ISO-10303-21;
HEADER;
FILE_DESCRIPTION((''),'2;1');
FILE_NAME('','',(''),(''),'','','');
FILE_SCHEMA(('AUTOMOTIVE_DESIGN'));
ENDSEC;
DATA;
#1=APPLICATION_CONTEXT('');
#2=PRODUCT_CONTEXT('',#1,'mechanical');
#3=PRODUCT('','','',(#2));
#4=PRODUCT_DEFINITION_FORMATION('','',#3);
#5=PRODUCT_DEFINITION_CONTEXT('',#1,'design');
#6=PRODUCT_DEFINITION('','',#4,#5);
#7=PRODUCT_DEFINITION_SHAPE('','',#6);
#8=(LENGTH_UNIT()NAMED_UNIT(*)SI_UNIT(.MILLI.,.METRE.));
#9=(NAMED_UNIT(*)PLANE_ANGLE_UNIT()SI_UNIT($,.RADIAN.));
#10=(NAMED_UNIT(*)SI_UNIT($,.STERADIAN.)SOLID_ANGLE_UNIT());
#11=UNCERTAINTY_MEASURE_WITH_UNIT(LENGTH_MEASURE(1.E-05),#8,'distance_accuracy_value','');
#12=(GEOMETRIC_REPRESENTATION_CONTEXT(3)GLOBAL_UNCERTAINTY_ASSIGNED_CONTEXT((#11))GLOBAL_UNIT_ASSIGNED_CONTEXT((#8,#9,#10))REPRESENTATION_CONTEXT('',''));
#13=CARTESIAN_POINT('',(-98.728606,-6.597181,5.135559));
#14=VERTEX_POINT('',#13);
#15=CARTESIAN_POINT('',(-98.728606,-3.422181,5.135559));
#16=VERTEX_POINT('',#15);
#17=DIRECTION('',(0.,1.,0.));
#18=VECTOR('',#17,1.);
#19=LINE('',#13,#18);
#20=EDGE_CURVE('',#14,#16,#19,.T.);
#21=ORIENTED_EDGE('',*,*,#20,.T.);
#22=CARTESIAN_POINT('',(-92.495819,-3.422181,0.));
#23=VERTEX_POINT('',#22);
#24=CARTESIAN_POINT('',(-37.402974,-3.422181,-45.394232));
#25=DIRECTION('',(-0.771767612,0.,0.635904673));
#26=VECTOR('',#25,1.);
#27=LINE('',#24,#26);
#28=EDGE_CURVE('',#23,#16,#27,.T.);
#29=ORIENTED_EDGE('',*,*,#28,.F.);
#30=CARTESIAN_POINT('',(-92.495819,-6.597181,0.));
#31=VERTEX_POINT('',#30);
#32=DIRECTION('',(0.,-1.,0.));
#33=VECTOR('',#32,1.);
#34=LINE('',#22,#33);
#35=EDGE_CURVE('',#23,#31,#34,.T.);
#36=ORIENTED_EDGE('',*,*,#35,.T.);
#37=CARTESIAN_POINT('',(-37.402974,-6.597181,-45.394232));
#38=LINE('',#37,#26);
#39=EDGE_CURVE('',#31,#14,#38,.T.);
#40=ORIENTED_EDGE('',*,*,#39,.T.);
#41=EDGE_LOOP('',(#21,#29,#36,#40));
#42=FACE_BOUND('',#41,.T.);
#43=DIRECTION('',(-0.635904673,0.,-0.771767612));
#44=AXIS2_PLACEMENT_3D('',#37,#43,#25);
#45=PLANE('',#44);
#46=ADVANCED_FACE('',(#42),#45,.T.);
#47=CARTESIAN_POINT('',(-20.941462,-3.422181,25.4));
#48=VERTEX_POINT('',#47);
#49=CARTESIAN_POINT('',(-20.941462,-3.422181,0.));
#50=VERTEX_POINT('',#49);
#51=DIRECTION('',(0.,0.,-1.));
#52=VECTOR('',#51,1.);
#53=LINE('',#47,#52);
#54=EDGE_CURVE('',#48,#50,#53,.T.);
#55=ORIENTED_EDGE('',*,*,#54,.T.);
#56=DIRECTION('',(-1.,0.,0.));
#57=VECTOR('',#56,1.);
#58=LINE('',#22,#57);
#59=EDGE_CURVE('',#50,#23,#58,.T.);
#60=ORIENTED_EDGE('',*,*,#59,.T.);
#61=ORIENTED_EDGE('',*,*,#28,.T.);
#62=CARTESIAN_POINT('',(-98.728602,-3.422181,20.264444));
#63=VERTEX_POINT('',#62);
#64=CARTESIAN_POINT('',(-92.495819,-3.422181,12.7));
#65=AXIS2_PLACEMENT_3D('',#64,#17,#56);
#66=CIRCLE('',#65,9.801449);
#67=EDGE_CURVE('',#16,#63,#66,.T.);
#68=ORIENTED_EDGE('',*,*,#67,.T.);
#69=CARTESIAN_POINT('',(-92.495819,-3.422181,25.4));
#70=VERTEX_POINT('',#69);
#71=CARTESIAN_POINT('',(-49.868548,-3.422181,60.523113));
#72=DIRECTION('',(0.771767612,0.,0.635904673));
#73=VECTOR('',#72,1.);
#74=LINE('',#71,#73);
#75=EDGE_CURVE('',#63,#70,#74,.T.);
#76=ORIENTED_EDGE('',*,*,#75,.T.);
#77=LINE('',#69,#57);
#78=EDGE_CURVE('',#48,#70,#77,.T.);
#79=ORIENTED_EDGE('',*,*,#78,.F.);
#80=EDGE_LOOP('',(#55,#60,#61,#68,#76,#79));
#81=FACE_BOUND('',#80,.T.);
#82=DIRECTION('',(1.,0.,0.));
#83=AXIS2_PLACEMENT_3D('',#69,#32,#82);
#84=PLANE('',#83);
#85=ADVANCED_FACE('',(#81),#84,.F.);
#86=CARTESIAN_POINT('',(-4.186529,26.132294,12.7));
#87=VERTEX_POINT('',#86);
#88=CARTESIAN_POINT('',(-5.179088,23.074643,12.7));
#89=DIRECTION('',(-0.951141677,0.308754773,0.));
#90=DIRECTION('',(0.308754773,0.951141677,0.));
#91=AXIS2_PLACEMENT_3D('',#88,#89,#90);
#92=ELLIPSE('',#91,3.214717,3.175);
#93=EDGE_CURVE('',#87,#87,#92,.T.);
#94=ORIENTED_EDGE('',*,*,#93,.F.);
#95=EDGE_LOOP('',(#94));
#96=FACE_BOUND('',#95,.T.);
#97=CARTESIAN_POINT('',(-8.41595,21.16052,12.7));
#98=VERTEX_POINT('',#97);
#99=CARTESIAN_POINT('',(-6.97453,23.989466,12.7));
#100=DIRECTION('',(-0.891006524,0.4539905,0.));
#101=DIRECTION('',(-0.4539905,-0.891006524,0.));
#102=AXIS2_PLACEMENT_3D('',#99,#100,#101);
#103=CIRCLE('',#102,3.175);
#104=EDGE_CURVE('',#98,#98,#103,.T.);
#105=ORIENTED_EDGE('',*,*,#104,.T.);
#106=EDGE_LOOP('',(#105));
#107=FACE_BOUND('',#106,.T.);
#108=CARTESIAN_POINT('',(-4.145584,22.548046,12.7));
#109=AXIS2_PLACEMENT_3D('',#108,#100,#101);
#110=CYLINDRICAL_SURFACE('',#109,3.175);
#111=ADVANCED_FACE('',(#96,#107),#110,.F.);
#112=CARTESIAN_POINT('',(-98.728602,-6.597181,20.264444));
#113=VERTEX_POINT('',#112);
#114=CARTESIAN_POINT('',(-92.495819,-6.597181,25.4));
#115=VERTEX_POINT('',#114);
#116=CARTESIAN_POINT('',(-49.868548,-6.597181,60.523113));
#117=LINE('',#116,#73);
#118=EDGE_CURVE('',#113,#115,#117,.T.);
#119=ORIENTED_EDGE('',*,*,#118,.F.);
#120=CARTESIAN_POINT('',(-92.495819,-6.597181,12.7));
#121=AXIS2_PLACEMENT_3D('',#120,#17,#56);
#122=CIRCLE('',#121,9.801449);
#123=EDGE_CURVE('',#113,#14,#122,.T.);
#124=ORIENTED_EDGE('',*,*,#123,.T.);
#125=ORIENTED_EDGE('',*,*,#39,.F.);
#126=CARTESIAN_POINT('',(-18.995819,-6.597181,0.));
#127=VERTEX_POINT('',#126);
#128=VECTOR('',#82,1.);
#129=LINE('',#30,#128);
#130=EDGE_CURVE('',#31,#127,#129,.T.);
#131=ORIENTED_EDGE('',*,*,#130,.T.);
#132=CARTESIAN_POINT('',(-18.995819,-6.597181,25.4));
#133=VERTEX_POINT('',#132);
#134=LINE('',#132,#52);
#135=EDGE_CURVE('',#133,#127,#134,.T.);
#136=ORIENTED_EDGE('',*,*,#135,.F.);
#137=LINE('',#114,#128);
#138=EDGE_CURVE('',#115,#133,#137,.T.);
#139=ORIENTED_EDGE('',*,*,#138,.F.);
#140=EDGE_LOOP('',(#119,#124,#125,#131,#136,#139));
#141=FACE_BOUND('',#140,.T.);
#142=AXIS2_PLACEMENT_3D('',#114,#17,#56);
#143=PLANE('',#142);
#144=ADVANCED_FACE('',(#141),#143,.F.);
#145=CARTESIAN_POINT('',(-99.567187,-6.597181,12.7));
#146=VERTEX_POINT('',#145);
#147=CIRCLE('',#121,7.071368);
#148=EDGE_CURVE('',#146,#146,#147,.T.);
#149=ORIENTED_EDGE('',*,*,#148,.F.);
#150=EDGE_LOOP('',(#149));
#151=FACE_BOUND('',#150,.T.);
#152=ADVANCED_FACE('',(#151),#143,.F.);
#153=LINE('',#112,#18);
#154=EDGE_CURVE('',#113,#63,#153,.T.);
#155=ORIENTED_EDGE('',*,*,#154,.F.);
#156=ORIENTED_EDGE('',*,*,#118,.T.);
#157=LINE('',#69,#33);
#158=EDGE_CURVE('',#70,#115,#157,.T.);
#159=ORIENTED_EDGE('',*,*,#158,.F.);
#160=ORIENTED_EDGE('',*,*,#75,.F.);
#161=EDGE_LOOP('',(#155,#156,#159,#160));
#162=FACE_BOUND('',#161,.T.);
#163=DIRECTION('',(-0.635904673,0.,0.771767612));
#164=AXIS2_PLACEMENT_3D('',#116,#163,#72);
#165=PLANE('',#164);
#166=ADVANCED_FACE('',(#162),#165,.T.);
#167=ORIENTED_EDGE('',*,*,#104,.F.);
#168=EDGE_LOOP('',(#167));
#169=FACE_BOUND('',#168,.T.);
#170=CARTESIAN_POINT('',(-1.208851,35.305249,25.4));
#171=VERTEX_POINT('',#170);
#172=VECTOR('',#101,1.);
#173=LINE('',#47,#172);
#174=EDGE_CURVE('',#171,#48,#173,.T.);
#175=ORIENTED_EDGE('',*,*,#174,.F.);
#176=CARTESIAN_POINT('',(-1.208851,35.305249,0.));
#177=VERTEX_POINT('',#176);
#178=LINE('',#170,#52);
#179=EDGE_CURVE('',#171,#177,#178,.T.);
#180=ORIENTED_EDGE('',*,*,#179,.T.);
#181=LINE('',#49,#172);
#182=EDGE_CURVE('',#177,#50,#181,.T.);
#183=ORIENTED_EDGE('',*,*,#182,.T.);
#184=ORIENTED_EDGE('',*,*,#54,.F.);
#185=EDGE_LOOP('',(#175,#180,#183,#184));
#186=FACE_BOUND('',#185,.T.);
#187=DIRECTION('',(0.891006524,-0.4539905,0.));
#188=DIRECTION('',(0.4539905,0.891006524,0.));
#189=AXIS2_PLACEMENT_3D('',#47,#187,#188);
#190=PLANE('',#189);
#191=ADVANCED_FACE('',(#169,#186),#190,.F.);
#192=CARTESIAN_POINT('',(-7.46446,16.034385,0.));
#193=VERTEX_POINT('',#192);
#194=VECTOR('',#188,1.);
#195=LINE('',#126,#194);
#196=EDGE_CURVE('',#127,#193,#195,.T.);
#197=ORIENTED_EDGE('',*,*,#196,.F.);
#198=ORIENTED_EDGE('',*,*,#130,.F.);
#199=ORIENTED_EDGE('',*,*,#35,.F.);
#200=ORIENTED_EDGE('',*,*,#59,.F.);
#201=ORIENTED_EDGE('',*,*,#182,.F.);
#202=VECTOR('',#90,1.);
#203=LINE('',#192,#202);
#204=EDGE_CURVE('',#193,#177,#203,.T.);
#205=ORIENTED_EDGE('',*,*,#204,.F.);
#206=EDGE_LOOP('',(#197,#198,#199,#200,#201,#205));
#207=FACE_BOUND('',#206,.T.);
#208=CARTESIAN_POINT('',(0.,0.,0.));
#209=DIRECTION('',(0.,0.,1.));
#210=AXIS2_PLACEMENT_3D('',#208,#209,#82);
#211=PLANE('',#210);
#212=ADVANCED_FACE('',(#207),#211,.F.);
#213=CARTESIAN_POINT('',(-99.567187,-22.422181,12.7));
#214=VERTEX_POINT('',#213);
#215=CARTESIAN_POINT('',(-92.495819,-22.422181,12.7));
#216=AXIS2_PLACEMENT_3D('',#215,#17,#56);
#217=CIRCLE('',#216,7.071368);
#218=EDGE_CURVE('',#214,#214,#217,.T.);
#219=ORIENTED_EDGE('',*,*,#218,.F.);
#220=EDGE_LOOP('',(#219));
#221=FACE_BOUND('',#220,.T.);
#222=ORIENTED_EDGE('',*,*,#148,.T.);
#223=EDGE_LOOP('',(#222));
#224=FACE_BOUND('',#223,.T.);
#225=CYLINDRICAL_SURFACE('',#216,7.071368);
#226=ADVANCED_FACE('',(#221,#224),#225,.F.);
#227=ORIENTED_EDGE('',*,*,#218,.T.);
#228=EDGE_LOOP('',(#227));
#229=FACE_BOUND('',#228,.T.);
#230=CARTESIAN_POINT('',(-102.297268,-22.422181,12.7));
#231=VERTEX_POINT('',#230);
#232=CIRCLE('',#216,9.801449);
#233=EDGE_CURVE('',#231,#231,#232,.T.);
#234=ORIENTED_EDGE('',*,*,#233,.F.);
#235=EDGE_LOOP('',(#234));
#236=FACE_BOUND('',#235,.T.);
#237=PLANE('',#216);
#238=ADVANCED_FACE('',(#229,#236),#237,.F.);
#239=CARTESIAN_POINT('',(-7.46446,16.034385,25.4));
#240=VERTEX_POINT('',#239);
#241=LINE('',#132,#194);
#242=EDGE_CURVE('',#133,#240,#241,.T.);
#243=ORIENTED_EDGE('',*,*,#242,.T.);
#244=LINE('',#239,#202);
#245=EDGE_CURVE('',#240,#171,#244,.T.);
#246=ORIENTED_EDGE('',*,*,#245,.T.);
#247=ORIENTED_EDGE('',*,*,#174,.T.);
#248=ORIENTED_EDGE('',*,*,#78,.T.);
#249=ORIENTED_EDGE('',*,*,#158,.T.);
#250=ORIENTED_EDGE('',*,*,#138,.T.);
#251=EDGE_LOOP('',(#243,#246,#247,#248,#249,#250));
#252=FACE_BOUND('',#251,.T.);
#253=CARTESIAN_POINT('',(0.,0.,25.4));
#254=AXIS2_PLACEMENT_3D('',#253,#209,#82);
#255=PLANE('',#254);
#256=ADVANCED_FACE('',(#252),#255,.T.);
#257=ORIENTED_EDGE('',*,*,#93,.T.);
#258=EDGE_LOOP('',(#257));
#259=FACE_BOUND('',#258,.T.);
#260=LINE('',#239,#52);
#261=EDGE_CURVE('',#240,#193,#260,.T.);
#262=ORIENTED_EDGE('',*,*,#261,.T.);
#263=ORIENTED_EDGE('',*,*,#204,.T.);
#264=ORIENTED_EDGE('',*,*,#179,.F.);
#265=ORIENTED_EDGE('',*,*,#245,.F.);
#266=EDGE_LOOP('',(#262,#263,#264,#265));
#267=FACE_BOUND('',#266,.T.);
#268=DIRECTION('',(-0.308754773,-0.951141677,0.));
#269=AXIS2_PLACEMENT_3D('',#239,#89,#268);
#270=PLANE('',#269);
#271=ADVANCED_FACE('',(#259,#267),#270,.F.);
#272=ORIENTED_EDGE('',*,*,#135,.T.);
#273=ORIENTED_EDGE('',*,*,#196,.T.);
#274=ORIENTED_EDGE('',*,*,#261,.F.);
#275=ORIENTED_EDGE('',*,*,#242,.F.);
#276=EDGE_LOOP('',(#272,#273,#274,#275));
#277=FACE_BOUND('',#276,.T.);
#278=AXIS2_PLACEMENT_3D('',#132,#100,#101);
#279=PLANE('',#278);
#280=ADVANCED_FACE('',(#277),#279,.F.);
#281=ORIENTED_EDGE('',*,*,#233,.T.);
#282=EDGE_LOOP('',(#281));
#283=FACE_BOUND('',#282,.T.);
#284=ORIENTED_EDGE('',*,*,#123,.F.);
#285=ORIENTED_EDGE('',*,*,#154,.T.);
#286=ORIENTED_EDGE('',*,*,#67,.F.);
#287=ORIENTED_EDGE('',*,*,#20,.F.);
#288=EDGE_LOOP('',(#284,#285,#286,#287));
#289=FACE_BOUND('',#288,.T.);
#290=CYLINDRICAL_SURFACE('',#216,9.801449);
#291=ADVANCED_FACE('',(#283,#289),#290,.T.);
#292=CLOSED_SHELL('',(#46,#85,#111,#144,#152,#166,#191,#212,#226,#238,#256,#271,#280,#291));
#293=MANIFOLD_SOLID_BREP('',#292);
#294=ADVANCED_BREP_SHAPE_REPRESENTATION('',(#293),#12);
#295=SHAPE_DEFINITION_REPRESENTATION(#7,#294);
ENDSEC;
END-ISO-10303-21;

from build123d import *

# Parameters (mm, degrees)
BOSS_EXTRUDE1_DEPTH = 25.4
SKETCH2_R           = 9.801448676
SKETCH2_R_2         = 7.071368029
BOSS_EXTRUDE2_DEPTH = 19
BOSS_EXTRUDE3_DEPTH = 3.175
SKETCH4_R           = 3.175
CUT_EXTRUDE1_DEPTH  = 3.175


with BuildPart() as part:
    # Sketch1 → Boss-Extrude1 (new body)
    with BuildSketch(Plane.XY):
        Polygon((-92.495819173, -3.422180745), (-20.941461675, -3.422180745), (-1.20885062, 35.305249012), (-7.464460479, 16.03438497), (-18.995819173, -6.597180745), (-92.495819173, -6.597180745), align=None)
    extrude(amount=BOSS_EXTRUDE1_DEPTH)

    # Sketch2 → Boss-Extrude2 (add)
    with BuildSketch(Plane(origin=(0, -3.422180745, 0), x_dir=(1, 0, 0), z_dir=(0, 1, 0))):
        with Locations((-92.495819173, -12.7)):
            Circle(SKETCH2_R)
        with Locations((-92.495819173, -12.7)):
            Circle(SKETCH2_R_2, mode=Mode.SUBTRACT)
    extrude(amount=-BOSS_EXTRUDE2_DEPTH)

    # Sketch3 → Boss-Extrude3 (add)
    with BuildSketch(Plane(origin=(0, -3.422180745, 0), x_dir=(1, 0, 0), z_dir=(0, 1, 0))):
        with BuildLine():
            Line((-98.728601618, -16.040159995), (-98.728601618, -9.359840005))
            ThreePointArc((-98.728601618, -9.359840005), (-99.567187202, -12.7), (-98.728601618, -16.040159995))
        make_face()
        with BuildLine():
            Line((-98.728601618, -9.359840005), (-98.728601618, -5.135555597))
            Line((-98.728601618, -5.135555597), (-102.297267848, -12.7))
            Line((-102.297267848, -12.7), (-98.728601618, -20.264444403))
            Line((-98.728601618, -20.264444403), (-98.728601618, -16.040159995))
            ThreePointArc((-98.728601618, -16.040159995), (-99.567187202, -12.7), (-98.728601618, -9.359840005))
        make_face()
        with BuildLine():
            ThreePointArc((-92.495819173, -2.898551324), (-95.806852438, -3.474738223), (-98.728601618, -5.135555597))
            Line((-98.728601618, -5.135555597), (-98.728601618, -9.359840005))
            ThreePointArc((-98.728601618, -9.359840005), (-96.12794976, -6.632721104), (-92.495819173, -5.628631971))
            Line((-92.495819173, -5.628631971), (-92.495819173, -2.898551324))
        make_face()
        with BuildLine():
            ThreePointArc((-92.495819173, -19.771368029), (-96.12794976, -18.767278896), (-98.728601618, -16.040159995))
            Line((-98.728601618, -16.040159995), (-98.728601618, -20.264444403))
            ThreePointArc((-98.728601618, -20.264444403), (-95.806852438, -21.925261777), (-92.495819173, -22.501448676))
            Line((-92.495819173, -22.501448676), (-92.495819173, -19.771368029))
        make_face()
        with BuildLine():
            ThreePointArc((-92.495819173, -22.501448676), (-95.806852438, -21.925261777), (-98.728601618, -20.264444403))
            Line((-98.728601618, -20.264444403), (-92.495819173, -25.4))
            Line((-92.495819173, -25.4), (-92.495819173, -22.501448676))
        make_face()
        with BuildLine():
            ThreePointArc((-92.495819173, -5.628631971), (-96.12794976, -6.632721104), (-98.728601618, -9.359840005))
            Line((-98.728601618, -9.359840005), (-98.728601618, -16.040159995))
            ThreePointArc((-98.728601618, -16.040159995), (-96.12794976, -18.767278896), (-92.495819173, -19.771368029))
            Line((-92.495819173, -19.771368029), (-92.495819173, -5.628631971))
        make_face()
        with BuildLine():
            Line((-92.495819173, -2.898551324), (-92.495819173, 0))
            Line((-92.495819173, 0), (-98.728601618, -5.135555597))
            ThreePointArc((-98.728601618, -5.135555597), (-95.806852438, -3.474738223), (-92.495819173, -2.898551324))
        make_face()
    extrude(amount=-BOSS_EXTRUDE3_DEPTH)

    # Sketch4 → Cut-Extrude1 (cut)
    with BuildSketch(Plane(origin=(-15.240970814, 7.765662505, 0), x_dir=(0, 0, 1), z_dir=(-0.891006524, 0.4539905, 0))):
        with Locations((12.7, 18.20840051)):
            Circle(SKETCH4_R)
    extrude(amount=-CUT_EXTRUDE1_DEPTH, mode=Mode.SUBTRACT)


solid = part.part
